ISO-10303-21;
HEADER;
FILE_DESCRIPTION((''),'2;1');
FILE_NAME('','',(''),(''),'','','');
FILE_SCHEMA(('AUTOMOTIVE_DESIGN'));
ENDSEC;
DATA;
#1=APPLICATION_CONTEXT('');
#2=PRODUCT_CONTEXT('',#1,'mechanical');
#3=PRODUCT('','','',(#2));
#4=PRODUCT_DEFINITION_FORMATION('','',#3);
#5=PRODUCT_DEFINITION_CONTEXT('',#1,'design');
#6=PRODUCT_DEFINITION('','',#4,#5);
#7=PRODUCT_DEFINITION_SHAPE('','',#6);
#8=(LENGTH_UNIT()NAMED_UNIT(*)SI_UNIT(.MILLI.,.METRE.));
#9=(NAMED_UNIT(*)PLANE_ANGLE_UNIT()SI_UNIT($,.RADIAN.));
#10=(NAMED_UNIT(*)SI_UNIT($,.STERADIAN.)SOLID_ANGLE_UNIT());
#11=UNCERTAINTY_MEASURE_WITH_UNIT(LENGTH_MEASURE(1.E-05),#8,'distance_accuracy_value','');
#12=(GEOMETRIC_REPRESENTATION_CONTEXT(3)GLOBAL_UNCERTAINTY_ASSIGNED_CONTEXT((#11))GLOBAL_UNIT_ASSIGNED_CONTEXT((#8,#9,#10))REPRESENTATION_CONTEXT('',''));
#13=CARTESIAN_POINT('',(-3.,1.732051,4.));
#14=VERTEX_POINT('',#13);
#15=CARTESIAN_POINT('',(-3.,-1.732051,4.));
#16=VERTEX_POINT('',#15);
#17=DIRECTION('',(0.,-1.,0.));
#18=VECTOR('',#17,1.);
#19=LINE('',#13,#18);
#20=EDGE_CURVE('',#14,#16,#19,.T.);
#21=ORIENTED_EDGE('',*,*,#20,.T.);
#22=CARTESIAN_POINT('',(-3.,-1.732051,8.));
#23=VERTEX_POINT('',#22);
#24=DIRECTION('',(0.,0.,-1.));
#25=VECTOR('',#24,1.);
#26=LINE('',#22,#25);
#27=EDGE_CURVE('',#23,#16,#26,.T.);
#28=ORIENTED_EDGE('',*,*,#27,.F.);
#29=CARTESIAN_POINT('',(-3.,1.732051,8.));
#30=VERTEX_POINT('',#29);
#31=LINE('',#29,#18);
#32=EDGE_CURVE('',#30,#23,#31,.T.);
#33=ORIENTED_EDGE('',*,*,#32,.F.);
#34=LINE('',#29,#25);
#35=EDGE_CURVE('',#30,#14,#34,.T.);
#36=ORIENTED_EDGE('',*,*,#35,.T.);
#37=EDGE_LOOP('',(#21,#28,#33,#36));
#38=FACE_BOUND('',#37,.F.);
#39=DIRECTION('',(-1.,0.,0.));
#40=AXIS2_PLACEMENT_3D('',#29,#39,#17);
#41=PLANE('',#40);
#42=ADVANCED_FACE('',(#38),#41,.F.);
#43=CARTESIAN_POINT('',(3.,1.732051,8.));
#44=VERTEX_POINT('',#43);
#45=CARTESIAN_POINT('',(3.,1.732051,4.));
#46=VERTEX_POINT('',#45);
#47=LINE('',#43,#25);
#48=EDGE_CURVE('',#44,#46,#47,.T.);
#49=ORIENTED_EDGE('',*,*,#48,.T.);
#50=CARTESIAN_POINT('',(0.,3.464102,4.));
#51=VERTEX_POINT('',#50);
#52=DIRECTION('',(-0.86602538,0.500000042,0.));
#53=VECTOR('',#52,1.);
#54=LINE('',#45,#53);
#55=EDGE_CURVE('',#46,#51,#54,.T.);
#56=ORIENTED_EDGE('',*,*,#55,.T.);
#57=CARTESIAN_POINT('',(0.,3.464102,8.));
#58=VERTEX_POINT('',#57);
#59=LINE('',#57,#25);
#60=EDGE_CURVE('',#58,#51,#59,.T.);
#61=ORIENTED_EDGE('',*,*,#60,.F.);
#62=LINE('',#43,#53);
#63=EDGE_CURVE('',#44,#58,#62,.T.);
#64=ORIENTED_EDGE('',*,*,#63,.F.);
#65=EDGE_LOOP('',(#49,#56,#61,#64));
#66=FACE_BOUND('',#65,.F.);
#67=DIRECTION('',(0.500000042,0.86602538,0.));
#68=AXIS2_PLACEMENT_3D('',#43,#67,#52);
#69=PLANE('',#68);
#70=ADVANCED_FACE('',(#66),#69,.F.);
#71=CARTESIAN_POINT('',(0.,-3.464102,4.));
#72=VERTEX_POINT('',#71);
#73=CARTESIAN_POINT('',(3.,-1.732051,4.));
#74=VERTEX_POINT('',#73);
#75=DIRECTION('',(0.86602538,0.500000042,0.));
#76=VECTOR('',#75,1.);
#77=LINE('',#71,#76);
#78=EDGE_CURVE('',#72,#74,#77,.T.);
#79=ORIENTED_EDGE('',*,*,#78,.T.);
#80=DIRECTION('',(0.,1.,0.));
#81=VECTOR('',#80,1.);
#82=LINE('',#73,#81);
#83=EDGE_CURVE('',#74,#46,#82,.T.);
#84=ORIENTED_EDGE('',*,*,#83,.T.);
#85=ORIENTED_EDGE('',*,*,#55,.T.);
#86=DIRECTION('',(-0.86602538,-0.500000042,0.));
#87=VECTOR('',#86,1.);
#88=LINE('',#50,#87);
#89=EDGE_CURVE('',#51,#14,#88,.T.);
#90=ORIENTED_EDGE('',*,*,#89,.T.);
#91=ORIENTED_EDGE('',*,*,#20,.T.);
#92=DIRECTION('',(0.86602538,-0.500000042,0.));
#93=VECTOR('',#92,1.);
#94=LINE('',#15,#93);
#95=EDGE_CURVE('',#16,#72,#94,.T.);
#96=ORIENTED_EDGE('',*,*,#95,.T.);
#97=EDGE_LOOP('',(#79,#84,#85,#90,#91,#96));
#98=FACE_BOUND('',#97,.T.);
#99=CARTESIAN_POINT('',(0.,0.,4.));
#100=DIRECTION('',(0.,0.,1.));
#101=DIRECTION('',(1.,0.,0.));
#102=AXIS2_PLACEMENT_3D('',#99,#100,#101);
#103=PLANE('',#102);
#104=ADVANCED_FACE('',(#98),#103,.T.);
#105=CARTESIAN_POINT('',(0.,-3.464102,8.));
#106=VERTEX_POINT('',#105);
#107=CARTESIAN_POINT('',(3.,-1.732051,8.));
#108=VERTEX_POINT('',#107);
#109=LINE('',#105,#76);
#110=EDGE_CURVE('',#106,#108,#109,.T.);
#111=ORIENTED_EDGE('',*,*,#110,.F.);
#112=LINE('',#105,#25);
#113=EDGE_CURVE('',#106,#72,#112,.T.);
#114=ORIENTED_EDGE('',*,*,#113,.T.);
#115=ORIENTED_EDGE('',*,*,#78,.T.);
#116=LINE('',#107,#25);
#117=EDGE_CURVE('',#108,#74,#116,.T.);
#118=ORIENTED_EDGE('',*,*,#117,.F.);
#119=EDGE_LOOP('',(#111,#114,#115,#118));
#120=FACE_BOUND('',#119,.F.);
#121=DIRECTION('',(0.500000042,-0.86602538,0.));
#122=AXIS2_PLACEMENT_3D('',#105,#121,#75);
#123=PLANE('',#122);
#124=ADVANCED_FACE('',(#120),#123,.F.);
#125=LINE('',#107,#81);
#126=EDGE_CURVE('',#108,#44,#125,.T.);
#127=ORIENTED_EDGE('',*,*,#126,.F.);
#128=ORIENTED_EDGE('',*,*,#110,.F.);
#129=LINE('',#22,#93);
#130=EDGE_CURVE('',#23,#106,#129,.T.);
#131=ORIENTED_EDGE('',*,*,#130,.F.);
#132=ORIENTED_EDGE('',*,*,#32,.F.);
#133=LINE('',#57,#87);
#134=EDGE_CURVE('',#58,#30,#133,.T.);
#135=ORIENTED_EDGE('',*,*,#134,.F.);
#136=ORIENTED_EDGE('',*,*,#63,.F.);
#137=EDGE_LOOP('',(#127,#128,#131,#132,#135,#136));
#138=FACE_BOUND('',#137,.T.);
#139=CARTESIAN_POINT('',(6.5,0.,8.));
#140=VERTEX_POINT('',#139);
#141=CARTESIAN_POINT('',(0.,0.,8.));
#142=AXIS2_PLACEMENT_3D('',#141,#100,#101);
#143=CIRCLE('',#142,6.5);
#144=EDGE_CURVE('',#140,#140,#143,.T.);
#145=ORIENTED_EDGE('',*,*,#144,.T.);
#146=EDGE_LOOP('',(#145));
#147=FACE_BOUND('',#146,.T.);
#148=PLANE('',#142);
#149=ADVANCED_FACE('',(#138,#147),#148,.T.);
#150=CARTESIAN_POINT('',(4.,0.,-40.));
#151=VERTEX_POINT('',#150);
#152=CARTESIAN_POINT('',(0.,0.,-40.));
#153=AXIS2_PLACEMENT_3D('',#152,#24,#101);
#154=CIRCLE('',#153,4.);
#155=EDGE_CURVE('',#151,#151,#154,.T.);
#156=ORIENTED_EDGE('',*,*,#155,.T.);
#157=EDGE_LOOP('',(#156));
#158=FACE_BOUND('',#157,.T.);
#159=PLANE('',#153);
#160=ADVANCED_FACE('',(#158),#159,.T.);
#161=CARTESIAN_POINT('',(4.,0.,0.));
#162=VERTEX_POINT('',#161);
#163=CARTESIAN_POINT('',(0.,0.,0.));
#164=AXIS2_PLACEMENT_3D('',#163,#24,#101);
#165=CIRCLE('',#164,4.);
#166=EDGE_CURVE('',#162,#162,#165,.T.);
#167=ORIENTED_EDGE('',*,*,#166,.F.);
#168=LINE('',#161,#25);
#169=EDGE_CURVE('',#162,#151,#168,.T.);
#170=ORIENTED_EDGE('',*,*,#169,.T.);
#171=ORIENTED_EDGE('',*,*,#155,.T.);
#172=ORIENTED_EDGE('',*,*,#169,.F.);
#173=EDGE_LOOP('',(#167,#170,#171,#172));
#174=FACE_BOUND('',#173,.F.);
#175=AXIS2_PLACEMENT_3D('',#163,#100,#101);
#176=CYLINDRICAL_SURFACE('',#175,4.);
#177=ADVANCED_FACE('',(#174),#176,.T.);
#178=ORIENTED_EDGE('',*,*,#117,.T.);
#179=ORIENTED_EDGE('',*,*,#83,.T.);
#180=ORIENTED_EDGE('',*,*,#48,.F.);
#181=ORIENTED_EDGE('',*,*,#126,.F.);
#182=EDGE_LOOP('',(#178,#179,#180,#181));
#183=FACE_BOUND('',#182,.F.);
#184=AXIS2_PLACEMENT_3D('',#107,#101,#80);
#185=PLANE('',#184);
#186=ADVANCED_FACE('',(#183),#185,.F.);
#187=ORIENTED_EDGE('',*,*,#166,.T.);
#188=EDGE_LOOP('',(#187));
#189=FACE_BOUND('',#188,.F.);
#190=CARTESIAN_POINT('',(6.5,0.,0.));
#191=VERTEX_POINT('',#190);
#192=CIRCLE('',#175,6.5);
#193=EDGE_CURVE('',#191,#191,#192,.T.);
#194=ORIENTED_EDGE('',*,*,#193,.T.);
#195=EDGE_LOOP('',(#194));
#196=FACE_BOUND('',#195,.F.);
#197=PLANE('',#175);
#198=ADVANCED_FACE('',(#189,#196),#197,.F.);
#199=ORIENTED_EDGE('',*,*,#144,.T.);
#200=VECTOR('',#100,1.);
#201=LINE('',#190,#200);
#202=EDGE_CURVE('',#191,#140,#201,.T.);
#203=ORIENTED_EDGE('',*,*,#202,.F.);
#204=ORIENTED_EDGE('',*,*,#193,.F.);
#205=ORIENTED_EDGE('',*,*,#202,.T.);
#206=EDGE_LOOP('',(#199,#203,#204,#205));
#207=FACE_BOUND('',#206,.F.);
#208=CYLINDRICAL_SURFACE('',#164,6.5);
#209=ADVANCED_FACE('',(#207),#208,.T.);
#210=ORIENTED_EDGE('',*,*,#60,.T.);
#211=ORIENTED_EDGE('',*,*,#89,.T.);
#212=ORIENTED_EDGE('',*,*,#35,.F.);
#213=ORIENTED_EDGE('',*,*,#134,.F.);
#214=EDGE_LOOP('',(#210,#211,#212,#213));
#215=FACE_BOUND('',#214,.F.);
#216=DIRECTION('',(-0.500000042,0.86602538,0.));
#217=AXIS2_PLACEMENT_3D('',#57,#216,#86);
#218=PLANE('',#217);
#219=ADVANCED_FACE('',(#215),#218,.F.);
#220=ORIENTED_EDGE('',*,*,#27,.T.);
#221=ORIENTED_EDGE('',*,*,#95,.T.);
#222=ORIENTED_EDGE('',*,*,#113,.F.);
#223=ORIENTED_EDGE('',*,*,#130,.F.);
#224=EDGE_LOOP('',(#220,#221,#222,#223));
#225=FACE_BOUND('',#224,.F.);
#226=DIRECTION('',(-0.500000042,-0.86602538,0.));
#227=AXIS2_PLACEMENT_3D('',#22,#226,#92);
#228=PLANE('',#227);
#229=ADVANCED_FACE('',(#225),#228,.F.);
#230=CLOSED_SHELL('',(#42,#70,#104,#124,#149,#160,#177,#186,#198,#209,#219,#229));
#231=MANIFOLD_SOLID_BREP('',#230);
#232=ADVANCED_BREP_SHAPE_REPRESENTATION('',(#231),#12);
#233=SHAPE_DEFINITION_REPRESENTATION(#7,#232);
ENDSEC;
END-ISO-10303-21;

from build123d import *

# Parameters (mm, degrees)
F0_R     = 6.5
F1_DEPTH = 8
F3_DEPTH = 4
F4_R     = 4
F5_DEPTH = 40


with BuildPart() as f1:
    # F0 (on Top) → F1 (new body)
    with BuildSketch(Plane.XY):
        Circle(F0_R)
    extrude(amount=F1_DEPTH)

    # F2 (on face) → F3 (cut)
    with BuildSketch(Plane.XY.offset(8)):
        Polygon((3, 1.732051), (0, 3.464102), (-3, 1.732051), (-3, -1.732051), (0, -3.464102), (3, -1.732051), align=None)
    extrude(amount=-F3_DEPTH, mode=Mode.SUBTRACT)

    # F4 (on face) → F5 (join)
    with BuildSketch(Plane(origin=(0, 0, 0), x_dir=(1, 0, 0), z_dir=(0, 0, -1))):
        Circle(F4_R)
    extrude(amount=F5_DEPTH)


solid = f1.part
